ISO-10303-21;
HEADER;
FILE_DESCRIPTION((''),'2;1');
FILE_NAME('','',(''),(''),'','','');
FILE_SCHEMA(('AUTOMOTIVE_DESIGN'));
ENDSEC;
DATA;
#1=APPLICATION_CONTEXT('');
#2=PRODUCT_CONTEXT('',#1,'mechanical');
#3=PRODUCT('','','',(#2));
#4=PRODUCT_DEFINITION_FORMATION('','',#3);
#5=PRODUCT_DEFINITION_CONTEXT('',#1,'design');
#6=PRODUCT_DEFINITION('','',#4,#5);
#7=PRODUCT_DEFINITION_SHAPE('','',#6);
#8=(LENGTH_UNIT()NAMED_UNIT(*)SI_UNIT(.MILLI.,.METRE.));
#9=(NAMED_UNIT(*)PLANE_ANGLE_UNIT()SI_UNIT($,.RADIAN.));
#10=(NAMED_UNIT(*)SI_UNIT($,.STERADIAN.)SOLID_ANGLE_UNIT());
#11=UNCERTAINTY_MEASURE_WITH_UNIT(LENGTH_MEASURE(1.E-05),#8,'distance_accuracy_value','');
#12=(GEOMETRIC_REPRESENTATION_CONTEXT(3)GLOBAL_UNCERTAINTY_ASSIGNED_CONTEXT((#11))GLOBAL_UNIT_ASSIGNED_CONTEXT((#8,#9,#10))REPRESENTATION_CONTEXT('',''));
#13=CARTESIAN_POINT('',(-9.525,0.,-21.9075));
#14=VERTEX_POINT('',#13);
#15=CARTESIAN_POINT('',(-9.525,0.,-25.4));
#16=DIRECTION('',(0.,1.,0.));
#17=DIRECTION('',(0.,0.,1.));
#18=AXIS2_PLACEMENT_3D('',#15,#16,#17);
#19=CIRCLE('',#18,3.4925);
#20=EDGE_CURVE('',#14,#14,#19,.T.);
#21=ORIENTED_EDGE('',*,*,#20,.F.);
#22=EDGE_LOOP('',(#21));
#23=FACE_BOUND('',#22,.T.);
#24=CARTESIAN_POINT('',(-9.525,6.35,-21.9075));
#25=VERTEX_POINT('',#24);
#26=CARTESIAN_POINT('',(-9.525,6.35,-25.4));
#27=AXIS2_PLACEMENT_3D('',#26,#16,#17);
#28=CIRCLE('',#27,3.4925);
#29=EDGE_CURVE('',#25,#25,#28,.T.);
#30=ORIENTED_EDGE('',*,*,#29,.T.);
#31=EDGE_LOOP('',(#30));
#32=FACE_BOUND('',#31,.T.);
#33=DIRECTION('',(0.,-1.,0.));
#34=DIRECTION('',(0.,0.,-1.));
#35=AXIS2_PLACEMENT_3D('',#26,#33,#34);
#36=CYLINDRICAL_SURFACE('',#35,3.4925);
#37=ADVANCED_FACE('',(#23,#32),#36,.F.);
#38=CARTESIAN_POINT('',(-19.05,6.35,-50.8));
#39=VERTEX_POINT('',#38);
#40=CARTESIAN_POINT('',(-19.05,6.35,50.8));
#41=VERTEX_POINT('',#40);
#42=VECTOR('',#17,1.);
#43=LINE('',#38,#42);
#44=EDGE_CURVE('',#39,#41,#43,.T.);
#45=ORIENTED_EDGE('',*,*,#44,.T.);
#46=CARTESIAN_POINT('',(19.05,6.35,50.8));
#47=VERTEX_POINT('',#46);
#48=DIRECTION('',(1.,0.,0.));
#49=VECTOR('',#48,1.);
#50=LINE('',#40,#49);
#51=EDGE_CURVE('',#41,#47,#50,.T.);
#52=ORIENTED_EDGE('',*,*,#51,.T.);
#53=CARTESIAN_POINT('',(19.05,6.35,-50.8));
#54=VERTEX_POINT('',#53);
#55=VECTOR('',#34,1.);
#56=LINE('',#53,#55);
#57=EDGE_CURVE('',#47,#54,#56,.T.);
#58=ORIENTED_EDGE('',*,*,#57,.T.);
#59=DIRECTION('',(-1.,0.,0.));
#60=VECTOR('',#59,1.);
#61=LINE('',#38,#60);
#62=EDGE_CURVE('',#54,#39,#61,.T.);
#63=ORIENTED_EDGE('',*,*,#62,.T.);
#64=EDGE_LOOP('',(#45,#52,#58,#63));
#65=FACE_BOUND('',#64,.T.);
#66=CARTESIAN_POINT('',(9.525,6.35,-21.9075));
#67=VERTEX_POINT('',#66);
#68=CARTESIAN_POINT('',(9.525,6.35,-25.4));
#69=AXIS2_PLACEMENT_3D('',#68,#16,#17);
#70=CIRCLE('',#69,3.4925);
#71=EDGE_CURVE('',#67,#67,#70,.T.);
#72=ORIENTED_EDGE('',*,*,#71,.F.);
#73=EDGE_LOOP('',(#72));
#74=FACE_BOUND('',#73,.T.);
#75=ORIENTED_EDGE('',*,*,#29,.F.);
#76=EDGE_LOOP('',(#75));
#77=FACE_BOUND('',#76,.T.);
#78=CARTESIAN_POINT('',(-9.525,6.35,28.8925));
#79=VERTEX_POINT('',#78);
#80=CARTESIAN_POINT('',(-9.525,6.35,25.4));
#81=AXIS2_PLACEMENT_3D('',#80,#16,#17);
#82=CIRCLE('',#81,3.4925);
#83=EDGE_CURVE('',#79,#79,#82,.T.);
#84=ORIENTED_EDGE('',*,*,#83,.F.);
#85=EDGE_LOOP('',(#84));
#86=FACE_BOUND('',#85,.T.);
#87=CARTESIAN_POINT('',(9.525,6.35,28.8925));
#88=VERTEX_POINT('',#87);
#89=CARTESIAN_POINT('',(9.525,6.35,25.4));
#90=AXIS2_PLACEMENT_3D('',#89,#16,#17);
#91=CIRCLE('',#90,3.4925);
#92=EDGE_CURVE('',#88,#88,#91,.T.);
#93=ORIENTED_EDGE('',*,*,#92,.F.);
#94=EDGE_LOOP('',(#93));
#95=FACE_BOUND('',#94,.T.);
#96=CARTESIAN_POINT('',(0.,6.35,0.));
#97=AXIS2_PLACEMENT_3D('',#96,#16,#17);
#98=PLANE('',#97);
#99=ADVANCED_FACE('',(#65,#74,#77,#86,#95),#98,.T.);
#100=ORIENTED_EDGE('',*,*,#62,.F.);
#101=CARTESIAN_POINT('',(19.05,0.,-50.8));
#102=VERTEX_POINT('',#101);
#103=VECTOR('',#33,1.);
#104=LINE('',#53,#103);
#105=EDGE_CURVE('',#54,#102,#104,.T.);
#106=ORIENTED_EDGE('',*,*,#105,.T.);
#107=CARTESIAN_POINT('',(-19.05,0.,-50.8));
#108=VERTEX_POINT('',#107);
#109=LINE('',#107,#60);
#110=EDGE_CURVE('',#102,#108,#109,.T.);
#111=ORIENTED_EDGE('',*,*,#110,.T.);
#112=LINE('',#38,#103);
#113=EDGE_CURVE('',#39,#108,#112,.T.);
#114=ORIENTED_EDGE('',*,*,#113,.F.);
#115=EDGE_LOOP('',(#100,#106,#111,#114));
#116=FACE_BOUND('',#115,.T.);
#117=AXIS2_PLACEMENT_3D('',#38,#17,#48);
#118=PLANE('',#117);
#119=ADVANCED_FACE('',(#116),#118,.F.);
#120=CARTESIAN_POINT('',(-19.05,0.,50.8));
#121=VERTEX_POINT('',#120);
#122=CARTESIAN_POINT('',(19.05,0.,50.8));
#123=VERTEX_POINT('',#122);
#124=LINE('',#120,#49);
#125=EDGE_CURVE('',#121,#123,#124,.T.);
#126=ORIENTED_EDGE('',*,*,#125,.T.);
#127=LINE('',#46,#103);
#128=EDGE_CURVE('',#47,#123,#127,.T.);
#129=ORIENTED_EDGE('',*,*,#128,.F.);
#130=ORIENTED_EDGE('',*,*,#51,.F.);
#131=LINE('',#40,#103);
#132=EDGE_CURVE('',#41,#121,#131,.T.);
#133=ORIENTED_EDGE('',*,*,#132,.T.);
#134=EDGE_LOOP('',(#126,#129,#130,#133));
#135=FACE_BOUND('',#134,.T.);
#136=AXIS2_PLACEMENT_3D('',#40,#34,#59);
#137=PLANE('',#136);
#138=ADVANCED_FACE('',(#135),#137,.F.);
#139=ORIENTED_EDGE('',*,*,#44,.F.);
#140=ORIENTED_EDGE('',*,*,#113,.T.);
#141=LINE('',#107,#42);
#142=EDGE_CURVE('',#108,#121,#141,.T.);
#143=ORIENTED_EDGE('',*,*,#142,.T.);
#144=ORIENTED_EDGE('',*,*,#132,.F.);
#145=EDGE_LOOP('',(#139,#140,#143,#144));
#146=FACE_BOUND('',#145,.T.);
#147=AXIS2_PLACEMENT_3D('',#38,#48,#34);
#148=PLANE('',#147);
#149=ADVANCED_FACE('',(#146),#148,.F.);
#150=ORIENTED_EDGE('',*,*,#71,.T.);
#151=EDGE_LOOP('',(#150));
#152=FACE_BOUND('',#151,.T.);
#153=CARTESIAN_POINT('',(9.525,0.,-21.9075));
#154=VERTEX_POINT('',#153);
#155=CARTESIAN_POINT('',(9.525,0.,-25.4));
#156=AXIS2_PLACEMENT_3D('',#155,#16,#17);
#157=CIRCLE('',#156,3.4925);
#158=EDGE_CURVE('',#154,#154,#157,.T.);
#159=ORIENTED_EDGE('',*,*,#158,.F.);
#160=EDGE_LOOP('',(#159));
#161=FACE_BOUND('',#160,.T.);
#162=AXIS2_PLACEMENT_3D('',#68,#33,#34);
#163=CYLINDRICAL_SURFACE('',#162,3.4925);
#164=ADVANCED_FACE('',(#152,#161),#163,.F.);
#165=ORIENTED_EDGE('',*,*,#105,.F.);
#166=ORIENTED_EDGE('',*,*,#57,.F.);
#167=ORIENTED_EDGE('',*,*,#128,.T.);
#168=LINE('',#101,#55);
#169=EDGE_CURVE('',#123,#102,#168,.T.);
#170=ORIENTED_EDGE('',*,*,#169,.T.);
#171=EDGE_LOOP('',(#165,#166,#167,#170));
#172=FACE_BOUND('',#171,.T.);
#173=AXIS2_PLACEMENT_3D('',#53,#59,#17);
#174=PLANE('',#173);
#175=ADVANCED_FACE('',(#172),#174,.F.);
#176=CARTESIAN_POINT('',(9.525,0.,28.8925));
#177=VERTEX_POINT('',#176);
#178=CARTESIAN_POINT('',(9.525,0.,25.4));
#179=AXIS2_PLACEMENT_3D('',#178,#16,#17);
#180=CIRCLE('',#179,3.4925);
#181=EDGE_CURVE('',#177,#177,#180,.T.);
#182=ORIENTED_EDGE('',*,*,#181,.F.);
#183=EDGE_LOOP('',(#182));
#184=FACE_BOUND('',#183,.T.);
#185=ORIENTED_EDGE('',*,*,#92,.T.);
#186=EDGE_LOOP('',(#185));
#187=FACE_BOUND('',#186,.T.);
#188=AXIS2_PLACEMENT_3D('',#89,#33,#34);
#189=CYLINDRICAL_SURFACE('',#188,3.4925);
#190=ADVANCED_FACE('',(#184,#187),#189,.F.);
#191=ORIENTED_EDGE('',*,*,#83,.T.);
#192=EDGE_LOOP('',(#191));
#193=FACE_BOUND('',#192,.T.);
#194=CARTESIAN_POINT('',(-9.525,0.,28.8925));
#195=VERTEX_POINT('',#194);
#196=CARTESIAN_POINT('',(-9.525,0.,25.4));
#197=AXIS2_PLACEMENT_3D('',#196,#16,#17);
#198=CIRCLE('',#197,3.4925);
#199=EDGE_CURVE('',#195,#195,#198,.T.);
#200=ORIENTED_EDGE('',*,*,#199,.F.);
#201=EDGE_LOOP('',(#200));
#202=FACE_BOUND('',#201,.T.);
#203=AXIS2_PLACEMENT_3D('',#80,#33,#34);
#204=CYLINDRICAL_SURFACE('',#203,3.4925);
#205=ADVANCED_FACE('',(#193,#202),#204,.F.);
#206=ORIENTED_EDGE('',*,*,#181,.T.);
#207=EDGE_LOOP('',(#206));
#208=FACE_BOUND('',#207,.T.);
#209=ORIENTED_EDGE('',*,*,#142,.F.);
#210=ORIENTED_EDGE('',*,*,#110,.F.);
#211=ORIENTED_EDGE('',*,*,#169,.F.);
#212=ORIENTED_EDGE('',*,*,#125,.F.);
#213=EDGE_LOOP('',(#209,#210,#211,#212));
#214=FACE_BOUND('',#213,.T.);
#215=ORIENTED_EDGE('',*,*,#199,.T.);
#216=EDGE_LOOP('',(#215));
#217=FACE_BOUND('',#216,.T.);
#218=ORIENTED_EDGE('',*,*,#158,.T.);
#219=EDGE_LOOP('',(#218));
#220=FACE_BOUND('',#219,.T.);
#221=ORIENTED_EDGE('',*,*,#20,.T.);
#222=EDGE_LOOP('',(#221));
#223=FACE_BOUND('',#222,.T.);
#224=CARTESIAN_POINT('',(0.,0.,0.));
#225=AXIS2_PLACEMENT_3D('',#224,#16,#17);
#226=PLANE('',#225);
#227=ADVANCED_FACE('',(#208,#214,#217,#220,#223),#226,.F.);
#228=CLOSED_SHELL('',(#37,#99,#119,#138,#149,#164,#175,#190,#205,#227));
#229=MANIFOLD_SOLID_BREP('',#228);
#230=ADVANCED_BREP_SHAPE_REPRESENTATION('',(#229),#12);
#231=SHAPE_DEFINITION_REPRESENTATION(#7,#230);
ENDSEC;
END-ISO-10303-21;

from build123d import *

# Parameters (mm, degrees)
SKETCH1_W           = 38.1
SKETCH1_H           = 101.6
SKETCH1_R           = 3.4925
BOSS_EXTRUDE1_DEPTH = 6.35


with BuildPart() as part:
    # Sketch1 → Boss-Extrude1 (new body)
    with BuildSketch(Plane(origin=(0, 0, 0), x_dir=(1, 0, 0), z_dir=(0, 1, 0))):
        Rectangle(SKETCH1_W, SKETCH1_H)
        with Locations(Location((-9.525, 25.4, 0), (0, 0, 270))):
            Circle(SKETCH1_R, mode=Mode.SUBTRACT)
        with Locations(Location((9.525, 25.4, 0), (0, 0, 270))):
            Circle(SKETCH1_R, mode=Mode.SUBTRACT)
        with Locations(Location((9.525, -25.4, 0), (0, 0, 270))):
            Circle(SKETCH1_R, mode=Mode.SUBTRACT)
        with Locations(Location((-9.525, -25.4, 0), (0, 0, 270))):
            Circle(SKETCH1_R, mode=Mode.SUBTRACT)
    extrude(amount=BOSS_EXTRUDE1_DEPTH)


solid = part.part
